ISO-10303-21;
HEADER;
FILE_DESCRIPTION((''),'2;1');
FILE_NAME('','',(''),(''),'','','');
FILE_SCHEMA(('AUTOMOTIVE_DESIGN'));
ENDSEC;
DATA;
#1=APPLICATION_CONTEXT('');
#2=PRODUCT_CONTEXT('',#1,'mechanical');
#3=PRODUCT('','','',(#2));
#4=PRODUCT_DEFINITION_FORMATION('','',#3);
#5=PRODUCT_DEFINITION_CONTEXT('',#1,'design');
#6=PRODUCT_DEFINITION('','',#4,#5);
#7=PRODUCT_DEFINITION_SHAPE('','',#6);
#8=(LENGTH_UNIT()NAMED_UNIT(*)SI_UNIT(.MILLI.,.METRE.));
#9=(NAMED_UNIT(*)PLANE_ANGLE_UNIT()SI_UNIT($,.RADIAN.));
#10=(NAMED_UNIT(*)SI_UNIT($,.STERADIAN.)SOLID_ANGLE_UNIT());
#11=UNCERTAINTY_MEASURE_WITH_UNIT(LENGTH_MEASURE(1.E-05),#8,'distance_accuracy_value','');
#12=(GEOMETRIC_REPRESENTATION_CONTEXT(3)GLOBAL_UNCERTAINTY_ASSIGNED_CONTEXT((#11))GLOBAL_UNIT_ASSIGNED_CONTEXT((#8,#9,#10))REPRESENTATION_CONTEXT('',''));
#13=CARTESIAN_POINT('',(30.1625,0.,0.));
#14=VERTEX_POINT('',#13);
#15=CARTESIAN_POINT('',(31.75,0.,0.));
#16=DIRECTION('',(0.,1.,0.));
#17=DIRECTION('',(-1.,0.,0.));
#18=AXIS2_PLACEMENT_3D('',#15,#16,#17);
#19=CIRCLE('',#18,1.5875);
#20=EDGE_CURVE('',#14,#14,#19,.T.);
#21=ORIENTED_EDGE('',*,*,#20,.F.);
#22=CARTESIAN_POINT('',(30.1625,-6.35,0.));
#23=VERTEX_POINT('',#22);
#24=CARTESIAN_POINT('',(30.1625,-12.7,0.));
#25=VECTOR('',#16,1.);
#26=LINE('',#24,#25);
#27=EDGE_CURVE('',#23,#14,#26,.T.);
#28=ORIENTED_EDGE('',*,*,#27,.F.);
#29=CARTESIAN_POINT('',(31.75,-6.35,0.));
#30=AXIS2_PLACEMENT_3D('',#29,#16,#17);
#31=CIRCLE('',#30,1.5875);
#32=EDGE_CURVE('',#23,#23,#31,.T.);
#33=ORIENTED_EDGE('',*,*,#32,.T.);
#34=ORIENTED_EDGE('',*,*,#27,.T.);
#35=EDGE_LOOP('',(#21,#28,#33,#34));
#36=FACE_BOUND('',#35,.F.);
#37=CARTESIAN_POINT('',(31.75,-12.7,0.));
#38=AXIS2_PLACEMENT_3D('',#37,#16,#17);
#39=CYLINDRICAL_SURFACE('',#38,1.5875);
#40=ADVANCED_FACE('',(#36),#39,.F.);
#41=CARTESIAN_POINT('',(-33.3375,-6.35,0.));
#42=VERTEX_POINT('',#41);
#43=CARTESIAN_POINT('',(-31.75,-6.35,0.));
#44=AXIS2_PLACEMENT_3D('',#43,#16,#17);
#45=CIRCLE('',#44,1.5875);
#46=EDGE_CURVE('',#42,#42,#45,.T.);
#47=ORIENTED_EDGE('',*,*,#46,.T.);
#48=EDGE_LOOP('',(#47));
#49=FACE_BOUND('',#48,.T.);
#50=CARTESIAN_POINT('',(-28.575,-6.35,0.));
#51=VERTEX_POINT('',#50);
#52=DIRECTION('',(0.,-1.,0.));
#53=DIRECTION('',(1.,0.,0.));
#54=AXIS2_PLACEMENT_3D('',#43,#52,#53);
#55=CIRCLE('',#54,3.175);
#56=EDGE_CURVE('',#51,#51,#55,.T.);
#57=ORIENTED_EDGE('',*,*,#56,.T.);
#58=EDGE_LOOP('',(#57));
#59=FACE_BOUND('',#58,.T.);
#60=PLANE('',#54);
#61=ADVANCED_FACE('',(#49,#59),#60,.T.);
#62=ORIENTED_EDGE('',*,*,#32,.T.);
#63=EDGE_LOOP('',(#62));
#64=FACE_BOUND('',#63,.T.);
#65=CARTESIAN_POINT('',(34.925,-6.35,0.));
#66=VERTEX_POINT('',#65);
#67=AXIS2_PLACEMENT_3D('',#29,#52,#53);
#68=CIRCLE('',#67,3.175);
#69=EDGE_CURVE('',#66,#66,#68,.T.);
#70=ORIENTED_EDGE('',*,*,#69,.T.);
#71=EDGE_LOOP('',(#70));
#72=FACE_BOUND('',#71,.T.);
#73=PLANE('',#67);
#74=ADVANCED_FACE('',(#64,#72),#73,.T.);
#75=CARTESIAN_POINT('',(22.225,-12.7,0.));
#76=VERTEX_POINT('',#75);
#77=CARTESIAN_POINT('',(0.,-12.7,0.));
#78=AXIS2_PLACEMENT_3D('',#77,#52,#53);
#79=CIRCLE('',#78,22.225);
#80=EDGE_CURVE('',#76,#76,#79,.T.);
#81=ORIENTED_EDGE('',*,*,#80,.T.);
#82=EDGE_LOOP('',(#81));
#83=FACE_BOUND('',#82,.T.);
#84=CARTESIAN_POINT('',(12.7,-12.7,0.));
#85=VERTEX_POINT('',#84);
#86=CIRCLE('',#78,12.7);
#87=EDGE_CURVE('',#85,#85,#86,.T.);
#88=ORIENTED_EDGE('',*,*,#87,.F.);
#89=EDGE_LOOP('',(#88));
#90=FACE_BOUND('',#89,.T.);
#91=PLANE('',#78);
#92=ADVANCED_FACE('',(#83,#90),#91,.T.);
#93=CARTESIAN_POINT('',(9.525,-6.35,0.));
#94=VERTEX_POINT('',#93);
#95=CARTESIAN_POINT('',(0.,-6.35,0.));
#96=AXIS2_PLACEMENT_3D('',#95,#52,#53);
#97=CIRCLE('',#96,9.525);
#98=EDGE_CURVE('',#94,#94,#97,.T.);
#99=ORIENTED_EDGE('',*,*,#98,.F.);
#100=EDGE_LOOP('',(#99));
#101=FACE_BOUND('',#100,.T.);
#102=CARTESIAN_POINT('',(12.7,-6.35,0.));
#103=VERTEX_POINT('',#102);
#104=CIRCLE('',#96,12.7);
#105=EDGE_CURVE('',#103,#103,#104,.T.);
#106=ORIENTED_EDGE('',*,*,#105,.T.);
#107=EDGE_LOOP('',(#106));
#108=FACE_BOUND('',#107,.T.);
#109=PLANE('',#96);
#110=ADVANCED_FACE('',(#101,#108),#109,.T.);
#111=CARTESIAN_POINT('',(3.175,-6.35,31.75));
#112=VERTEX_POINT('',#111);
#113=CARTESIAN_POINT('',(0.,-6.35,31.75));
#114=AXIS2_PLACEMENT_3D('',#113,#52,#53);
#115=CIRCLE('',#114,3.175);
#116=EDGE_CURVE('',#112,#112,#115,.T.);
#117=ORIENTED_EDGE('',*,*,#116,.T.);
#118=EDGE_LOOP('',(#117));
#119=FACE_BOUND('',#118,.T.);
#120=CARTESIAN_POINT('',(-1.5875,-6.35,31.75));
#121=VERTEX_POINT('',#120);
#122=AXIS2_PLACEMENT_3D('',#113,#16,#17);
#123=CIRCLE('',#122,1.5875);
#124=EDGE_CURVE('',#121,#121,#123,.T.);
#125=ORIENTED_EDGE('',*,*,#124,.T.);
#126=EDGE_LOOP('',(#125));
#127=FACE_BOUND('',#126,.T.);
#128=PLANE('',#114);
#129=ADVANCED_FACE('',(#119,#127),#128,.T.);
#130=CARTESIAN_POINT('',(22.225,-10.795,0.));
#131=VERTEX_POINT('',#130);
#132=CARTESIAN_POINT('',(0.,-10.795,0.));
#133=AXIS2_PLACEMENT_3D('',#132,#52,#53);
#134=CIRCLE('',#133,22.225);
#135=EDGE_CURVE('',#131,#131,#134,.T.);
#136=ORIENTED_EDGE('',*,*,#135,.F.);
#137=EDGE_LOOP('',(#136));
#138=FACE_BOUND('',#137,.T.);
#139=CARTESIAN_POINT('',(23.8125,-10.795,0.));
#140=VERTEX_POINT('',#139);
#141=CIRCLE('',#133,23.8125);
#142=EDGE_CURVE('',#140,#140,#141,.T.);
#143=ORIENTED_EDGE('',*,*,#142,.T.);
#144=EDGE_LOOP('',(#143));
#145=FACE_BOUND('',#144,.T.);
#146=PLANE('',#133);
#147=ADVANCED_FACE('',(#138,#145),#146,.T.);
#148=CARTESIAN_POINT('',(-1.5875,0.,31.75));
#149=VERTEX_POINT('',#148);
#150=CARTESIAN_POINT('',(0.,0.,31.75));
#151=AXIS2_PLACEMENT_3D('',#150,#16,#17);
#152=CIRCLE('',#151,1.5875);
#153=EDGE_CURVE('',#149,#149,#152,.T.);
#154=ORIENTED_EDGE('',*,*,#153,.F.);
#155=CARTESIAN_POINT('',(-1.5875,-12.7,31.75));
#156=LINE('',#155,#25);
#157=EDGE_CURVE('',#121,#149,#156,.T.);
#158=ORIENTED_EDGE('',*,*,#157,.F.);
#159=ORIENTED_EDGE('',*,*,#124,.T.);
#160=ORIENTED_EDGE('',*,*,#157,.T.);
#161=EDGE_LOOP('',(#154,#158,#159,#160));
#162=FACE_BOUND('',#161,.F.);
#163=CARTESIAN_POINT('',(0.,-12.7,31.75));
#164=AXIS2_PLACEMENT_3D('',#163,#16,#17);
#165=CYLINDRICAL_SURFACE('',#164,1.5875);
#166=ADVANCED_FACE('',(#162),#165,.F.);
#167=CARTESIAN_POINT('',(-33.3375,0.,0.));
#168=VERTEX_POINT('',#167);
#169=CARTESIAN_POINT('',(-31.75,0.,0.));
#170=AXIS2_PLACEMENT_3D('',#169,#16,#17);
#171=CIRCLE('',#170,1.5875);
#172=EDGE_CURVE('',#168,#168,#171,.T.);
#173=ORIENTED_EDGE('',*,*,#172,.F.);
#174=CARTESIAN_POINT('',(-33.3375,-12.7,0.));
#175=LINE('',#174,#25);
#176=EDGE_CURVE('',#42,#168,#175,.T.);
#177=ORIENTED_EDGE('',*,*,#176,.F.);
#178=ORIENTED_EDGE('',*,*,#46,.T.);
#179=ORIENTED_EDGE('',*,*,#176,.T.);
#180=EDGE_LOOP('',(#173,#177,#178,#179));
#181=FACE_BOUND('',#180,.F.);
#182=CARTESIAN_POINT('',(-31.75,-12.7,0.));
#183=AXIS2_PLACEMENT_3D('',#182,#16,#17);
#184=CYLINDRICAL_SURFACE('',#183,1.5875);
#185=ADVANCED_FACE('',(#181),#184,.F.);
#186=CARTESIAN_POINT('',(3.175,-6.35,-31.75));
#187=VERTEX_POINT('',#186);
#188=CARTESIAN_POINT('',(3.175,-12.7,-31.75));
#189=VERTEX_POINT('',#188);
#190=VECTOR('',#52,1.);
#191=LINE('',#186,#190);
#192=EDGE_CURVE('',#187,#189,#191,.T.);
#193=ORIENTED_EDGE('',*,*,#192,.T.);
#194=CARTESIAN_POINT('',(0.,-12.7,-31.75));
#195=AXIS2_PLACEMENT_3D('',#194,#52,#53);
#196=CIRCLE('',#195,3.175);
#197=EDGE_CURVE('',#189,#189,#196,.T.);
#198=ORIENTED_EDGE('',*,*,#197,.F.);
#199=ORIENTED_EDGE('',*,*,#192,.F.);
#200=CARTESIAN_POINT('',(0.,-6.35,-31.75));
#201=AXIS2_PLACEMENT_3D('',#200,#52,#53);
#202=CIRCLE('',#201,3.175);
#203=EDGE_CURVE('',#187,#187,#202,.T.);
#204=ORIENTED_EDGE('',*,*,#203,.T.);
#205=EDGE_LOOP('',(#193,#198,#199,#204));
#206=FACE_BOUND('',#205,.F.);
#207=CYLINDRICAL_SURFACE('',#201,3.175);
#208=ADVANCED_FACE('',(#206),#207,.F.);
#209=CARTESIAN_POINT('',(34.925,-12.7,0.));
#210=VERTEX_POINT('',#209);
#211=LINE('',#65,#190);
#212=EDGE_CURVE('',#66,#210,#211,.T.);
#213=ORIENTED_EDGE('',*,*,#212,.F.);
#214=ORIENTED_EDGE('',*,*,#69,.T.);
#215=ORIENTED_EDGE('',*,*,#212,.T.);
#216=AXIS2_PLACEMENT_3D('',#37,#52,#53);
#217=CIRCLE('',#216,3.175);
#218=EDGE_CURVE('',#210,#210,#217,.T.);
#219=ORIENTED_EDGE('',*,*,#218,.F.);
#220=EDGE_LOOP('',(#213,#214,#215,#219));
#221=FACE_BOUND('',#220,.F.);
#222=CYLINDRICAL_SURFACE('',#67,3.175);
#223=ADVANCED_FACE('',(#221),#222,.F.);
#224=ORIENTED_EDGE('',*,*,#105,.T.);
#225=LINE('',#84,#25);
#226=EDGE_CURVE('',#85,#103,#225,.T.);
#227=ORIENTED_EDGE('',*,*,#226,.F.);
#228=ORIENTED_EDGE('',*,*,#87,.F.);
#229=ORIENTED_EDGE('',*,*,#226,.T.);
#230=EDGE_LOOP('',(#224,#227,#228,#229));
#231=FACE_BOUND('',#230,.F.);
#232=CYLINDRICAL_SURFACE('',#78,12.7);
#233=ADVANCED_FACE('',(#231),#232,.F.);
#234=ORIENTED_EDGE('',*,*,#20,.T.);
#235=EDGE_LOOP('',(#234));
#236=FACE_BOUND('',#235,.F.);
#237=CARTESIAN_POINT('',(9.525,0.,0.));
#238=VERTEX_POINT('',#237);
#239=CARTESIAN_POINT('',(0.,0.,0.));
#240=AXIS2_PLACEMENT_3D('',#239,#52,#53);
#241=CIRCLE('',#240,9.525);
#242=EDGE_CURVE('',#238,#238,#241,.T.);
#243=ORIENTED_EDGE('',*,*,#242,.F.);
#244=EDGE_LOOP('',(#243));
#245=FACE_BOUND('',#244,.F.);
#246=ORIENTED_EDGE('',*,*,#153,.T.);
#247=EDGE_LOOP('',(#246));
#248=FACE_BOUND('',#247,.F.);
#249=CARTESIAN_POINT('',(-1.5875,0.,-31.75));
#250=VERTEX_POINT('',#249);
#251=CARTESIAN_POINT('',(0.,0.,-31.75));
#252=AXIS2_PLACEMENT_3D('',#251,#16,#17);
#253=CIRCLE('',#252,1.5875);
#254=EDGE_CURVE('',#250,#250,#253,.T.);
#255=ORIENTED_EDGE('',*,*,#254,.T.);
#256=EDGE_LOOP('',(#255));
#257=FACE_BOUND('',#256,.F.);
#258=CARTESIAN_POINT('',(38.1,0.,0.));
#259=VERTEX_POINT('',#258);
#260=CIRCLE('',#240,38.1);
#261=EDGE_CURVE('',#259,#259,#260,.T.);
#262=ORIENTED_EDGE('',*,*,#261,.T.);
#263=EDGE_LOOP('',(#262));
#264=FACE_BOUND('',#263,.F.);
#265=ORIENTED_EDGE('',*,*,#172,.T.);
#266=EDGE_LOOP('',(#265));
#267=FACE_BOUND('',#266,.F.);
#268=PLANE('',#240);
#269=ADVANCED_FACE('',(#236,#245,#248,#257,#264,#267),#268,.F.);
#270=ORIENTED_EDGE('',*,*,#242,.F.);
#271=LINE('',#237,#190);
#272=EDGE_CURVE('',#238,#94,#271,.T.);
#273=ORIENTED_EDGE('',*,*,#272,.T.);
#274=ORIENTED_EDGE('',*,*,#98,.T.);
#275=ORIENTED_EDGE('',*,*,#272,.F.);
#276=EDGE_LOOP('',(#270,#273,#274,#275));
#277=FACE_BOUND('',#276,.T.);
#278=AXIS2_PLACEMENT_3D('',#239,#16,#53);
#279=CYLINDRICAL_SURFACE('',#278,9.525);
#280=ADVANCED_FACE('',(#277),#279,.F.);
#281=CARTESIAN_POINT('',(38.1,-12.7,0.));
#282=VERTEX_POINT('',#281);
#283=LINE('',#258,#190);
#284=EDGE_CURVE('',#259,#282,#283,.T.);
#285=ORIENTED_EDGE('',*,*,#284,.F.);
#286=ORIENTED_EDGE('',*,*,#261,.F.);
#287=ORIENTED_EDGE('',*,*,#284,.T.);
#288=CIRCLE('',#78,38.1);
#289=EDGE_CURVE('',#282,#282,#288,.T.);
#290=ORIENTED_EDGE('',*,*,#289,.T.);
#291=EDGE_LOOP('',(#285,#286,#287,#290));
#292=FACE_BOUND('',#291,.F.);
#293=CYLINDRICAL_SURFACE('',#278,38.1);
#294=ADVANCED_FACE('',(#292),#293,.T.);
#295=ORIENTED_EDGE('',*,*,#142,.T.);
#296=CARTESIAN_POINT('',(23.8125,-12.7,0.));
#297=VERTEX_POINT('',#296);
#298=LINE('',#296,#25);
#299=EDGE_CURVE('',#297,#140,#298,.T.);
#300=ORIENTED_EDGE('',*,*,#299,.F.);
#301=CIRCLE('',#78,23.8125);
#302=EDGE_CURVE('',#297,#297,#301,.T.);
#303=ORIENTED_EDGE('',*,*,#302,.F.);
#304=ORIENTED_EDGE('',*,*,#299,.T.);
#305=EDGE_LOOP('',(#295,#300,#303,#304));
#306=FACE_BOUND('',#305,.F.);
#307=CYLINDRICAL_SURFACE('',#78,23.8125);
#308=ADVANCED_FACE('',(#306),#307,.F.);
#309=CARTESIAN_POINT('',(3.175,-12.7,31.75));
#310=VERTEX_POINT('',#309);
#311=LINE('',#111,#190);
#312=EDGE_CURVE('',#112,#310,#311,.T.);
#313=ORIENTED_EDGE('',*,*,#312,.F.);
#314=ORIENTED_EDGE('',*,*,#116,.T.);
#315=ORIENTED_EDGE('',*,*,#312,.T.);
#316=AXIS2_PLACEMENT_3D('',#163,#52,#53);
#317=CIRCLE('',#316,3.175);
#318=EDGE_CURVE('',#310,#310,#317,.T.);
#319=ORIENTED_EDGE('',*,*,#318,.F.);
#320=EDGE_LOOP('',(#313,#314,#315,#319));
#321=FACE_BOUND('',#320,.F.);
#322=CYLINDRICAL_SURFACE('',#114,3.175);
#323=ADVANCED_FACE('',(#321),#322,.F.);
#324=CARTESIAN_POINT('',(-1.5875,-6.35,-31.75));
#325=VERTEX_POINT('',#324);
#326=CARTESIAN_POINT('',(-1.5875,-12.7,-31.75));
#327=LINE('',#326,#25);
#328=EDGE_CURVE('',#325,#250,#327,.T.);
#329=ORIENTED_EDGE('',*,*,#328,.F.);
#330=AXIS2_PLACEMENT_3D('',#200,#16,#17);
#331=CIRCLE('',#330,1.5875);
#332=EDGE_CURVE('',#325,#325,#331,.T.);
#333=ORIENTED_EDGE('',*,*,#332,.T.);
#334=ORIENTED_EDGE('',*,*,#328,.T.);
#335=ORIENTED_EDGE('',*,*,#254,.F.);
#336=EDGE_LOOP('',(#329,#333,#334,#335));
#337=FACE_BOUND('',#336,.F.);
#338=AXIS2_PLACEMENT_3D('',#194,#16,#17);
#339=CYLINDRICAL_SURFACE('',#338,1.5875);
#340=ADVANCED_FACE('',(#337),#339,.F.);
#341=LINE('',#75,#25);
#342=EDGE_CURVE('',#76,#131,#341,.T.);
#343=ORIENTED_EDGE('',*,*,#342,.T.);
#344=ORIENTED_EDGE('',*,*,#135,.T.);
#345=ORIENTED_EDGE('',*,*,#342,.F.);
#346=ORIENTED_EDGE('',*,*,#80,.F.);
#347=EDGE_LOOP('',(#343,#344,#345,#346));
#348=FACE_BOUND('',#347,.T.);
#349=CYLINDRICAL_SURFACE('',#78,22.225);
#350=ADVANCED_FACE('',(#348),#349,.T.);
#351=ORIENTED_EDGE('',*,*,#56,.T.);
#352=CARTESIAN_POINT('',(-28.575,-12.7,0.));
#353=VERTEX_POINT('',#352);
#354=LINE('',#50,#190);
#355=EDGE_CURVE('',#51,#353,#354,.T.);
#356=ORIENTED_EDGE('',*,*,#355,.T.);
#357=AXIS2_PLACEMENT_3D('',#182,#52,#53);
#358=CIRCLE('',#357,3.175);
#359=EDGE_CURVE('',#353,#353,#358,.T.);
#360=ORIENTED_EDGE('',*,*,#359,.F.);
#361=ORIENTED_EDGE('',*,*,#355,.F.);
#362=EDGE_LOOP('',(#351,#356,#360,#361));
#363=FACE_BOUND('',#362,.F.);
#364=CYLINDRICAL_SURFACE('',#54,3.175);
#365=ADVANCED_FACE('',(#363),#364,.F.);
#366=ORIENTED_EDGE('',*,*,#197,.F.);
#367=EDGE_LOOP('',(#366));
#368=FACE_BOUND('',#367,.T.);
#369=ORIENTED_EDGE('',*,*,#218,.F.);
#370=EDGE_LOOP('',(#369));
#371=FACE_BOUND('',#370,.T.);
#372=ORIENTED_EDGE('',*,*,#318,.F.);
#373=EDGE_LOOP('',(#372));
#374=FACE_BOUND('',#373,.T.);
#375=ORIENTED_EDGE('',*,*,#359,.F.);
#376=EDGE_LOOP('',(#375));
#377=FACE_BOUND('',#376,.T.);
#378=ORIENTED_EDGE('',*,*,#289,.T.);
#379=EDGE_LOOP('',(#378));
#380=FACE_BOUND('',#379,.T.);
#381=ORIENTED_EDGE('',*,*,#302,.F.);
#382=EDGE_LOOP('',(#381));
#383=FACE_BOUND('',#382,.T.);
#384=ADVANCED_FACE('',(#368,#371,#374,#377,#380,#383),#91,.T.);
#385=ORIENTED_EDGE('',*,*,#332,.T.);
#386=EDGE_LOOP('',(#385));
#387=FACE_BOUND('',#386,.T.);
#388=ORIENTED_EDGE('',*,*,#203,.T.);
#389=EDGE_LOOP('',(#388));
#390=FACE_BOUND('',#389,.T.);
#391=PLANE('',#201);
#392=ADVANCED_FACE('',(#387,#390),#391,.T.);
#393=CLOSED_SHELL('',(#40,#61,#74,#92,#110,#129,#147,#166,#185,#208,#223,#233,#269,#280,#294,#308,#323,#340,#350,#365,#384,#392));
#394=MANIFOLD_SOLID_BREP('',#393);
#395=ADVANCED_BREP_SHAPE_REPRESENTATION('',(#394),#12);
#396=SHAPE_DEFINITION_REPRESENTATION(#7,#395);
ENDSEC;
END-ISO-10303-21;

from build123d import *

# Parameters (mm, degrees)
F0_R           = 38.1
F0_R_2         = 9.525
F1_DEPTH       = 12.7
F2_R           = 12.7
F2_R_2         = 9.525
F3_DEPTH       = 6.35
F5_D           = 3.175
F5_CBORE_D     = 6.35
F5_CBORE_DEPTH = 6.35
F6_R           = 23.8125
F6_R_2         = 22.225
F7_DEPTH       = 1.905


with BuildPart() as f1:
    # F0 (on Front) → F1 (new body)
    with BuildSketch(Plane.XZ):
        Circle(F0_R)
        Circle(F0_R_2, mode=Mode.SUBTRACT)
    extrude(amount=F1_DEPTH)

    # F2 (on face) → F3 (cut)
    with BuildSketch(Plane.XZ.offset(12.7)):
        Circle(F2_R)
        Circle(F2_R_2, mode=Mode.SUBTRACT)
    extrude(amount=-F3_DEPTH, mode=Mode.SUBTRACT)

    # F5 (through all)
    with Locations(Plane.XZ.offset(12.7)):
        with Locations((0, 31.75), (-31.75, 0), (31.75, 0), (0, -31.75)):
            CounterBoreHole(F5_D / 2, F5_CBORE_D / 2, F5_CBORE_DEPTH)

    # F6 (on face) → F7 (cut)
    with BuildSketch(Plane.XZ.offset(12.7)):
        Circle(F6_R)
        Circle(F6_R_2, mode=Mode.SUBTRACT)
    extrude(amount=-F7_DEPTH, mode=Mode.SUBTRACT)


solid = f1.part
